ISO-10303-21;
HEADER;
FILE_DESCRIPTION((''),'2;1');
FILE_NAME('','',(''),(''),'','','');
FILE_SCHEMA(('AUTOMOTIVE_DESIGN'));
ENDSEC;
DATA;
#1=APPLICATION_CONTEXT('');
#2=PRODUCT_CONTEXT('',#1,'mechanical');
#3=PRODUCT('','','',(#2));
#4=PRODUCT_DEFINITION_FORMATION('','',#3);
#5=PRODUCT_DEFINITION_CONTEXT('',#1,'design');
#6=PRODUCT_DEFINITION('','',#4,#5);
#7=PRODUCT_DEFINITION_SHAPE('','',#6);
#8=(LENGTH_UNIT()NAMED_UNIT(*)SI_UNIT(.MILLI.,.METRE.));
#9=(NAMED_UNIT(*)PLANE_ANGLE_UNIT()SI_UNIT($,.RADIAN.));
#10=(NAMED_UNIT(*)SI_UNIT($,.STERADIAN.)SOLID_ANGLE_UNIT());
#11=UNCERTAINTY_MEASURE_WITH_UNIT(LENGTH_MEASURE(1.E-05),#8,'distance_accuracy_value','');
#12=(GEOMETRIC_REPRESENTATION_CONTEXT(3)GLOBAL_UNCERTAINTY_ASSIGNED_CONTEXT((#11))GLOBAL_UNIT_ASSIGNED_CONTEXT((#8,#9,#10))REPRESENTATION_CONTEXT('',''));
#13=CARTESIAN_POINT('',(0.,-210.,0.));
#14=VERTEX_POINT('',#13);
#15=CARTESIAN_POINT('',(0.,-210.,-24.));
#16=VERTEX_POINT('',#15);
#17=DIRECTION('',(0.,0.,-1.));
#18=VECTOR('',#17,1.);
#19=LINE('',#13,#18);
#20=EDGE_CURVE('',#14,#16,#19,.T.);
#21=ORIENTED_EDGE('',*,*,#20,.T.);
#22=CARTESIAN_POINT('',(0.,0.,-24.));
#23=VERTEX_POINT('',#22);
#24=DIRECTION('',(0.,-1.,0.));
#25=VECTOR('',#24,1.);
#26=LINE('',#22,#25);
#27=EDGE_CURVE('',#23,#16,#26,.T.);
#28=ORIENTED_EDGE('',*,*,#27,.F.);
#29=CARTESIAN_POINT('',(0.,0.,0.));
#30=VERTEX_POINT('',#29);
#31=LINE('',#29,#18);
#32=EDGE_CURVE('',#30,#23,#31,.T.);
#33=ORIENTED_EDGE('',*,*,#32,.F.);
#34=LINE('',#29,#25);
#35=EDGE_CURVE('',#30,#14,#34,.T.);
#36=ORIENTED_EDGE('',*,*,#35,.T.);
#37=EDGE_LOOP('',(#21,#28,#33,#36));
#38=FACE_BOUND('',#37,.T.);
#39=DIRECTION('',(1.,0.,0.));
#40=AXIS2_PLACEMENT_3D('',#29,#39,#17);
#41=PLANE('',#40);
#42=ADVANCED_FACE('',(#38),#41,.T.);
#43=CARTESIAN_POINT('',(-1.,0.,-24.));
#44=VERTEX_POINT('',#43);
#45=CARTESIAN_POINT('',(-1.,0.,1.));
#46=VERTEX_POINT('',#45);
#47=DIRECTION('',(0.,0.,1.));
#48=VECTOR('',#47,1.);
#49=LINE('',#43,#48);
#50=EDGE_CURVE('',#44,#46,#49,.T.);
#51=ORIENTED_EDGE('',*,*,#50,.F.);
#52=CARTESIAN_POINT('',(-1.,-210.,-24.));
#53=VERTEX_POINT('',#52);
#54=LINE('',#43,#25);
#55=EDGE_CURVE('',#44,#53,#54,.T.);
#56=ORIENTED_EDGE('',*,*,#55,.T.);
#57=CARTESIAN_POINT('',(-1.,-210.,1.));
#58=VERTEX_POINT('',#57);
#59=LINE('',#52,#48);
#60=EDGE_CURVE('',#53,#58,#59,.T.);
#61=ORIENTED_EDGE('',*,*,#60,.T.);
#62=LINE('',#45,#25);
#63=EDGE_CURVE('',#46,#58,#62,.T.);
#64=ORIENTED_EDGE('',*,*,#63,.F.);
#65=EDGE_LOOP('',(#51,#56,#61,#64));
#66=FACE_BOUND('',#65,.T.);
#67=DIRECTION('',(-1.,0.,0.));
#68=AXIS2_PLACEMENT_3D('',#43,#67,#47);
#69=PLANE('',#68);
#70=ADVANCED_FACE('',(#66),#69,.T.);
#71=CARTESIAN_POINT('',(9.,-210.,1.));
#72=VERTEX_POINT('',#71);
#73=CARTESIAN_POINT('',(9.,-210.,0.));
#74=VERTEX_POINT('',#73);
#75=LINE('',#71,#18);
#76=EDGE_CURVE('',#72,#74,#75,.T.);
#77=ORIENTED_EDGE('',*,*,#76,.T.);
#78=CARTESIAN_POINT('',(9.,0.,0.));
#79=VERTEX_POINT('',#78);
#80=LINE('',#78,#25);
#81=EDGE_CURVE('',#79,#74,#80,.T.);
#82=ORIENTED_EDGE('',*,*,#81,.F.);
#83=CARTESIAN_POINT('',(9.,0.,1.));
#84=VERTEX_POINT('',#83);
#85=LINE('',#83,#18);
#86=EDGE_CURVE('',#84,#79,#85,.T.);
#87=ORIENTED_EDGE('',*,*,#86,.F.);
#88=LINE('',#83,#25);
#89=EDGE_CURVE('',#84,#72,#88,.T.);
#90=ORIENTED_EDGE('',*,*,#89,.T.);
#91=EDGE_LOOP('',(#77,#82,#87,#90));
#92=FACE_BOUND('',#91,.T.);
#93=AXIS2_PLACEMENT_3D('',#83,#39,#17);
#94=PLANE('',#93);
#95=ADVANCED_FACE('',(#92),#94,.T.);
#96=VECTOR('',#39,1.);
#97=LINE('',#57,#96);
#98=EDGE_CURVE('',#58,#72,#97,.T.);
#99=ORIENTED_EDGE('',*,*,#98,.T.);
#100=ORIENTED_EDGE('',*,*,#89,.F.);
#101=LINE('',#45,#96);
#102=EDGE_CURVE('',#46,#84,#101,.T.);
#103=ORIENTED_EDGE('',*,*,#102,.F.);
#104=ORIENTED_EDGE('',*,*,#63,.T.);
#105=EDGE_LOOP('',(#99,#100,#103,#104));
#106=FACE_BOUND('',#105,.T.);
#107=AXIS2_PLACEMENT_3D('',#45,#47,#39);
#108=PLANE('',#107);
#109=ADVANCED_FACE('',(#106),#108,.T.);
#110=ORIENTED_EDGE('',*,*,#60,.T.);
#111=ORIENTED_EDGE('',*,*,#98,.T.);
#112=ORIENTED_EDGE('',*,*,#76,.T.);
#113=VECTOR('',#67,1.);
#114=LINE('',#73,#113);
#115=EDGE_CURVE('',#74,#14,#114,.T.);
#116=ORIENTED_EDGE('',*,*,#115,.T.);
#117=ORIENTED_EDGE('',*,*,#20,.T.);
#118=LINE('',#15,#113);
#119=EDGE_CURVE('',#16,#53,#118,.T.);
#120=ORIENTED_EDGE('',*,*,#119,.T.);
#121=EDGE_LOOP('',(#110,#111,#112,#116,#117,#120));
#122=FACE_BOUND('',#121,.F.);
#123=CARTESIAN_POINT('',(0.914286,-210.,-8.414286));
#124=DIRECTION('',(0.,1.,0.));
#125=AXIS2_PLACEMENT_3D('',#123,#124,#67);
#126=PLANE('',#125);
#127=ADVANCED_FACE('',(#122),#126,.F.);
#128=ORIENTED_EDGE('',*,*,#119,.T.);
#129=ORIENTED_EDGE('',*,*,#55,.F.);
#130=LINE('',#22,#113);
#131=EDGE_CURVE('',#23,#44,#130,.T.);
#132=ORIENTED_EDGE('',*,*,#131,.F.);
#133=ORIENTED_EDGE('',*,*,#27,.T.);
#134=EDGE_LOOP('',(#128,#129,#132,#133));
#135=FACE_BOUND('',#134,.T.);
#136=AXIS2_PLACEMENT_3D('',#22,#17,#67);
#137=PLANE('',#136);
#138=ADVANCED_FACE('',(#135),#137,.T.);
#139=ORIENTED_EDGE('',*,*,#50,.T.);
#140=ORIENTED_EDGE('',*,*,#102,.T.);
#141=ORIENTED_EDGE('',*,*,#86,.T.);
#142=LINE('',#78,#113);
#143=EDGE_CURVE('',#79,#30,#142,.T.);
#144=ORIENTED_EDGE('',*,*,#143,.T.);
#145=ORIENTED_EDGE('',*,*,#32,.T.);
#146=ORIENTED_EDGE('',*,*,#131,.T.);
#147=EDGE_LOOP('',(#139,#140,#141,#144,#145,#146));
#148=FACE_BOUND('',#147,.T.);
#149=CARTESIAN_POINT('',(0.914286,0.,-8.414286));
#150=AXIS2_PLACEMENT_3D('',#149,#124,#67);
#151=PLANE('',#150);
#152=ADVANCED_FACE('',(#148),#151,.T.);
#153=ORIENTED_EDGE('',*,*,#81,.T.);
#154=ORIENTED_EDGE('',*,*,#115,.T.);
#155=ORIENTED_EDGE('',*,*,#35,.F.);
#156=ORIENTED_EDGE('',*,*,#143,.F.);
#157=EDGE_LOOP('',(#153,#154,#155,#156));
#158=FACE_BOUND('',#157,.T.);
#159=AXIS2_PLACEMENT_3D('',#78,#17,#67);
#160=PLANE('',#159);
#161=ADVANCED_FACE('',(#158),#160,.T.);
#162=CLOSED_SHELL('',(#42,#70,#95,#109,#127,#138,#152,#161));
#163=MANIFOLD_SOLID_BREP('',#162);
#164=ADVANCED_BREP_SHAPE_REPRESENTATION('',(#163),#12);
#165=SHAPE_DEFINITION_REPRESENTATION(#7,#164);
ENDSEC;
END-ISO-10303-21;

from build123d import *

# Parameters (mm, degrees)
PAD_DEPTH = 210


with BuildPart() as part:
    # Sketch → Pad (new body)
    with BuildSketch(Plane.XZ):
        Polygon((9, 0), (0, 0), (0, -24), (-1, -24), (-1, 1), (9, 1), align=None)
    extrude(amount=PAD_DEPTH)


solid = part.part
